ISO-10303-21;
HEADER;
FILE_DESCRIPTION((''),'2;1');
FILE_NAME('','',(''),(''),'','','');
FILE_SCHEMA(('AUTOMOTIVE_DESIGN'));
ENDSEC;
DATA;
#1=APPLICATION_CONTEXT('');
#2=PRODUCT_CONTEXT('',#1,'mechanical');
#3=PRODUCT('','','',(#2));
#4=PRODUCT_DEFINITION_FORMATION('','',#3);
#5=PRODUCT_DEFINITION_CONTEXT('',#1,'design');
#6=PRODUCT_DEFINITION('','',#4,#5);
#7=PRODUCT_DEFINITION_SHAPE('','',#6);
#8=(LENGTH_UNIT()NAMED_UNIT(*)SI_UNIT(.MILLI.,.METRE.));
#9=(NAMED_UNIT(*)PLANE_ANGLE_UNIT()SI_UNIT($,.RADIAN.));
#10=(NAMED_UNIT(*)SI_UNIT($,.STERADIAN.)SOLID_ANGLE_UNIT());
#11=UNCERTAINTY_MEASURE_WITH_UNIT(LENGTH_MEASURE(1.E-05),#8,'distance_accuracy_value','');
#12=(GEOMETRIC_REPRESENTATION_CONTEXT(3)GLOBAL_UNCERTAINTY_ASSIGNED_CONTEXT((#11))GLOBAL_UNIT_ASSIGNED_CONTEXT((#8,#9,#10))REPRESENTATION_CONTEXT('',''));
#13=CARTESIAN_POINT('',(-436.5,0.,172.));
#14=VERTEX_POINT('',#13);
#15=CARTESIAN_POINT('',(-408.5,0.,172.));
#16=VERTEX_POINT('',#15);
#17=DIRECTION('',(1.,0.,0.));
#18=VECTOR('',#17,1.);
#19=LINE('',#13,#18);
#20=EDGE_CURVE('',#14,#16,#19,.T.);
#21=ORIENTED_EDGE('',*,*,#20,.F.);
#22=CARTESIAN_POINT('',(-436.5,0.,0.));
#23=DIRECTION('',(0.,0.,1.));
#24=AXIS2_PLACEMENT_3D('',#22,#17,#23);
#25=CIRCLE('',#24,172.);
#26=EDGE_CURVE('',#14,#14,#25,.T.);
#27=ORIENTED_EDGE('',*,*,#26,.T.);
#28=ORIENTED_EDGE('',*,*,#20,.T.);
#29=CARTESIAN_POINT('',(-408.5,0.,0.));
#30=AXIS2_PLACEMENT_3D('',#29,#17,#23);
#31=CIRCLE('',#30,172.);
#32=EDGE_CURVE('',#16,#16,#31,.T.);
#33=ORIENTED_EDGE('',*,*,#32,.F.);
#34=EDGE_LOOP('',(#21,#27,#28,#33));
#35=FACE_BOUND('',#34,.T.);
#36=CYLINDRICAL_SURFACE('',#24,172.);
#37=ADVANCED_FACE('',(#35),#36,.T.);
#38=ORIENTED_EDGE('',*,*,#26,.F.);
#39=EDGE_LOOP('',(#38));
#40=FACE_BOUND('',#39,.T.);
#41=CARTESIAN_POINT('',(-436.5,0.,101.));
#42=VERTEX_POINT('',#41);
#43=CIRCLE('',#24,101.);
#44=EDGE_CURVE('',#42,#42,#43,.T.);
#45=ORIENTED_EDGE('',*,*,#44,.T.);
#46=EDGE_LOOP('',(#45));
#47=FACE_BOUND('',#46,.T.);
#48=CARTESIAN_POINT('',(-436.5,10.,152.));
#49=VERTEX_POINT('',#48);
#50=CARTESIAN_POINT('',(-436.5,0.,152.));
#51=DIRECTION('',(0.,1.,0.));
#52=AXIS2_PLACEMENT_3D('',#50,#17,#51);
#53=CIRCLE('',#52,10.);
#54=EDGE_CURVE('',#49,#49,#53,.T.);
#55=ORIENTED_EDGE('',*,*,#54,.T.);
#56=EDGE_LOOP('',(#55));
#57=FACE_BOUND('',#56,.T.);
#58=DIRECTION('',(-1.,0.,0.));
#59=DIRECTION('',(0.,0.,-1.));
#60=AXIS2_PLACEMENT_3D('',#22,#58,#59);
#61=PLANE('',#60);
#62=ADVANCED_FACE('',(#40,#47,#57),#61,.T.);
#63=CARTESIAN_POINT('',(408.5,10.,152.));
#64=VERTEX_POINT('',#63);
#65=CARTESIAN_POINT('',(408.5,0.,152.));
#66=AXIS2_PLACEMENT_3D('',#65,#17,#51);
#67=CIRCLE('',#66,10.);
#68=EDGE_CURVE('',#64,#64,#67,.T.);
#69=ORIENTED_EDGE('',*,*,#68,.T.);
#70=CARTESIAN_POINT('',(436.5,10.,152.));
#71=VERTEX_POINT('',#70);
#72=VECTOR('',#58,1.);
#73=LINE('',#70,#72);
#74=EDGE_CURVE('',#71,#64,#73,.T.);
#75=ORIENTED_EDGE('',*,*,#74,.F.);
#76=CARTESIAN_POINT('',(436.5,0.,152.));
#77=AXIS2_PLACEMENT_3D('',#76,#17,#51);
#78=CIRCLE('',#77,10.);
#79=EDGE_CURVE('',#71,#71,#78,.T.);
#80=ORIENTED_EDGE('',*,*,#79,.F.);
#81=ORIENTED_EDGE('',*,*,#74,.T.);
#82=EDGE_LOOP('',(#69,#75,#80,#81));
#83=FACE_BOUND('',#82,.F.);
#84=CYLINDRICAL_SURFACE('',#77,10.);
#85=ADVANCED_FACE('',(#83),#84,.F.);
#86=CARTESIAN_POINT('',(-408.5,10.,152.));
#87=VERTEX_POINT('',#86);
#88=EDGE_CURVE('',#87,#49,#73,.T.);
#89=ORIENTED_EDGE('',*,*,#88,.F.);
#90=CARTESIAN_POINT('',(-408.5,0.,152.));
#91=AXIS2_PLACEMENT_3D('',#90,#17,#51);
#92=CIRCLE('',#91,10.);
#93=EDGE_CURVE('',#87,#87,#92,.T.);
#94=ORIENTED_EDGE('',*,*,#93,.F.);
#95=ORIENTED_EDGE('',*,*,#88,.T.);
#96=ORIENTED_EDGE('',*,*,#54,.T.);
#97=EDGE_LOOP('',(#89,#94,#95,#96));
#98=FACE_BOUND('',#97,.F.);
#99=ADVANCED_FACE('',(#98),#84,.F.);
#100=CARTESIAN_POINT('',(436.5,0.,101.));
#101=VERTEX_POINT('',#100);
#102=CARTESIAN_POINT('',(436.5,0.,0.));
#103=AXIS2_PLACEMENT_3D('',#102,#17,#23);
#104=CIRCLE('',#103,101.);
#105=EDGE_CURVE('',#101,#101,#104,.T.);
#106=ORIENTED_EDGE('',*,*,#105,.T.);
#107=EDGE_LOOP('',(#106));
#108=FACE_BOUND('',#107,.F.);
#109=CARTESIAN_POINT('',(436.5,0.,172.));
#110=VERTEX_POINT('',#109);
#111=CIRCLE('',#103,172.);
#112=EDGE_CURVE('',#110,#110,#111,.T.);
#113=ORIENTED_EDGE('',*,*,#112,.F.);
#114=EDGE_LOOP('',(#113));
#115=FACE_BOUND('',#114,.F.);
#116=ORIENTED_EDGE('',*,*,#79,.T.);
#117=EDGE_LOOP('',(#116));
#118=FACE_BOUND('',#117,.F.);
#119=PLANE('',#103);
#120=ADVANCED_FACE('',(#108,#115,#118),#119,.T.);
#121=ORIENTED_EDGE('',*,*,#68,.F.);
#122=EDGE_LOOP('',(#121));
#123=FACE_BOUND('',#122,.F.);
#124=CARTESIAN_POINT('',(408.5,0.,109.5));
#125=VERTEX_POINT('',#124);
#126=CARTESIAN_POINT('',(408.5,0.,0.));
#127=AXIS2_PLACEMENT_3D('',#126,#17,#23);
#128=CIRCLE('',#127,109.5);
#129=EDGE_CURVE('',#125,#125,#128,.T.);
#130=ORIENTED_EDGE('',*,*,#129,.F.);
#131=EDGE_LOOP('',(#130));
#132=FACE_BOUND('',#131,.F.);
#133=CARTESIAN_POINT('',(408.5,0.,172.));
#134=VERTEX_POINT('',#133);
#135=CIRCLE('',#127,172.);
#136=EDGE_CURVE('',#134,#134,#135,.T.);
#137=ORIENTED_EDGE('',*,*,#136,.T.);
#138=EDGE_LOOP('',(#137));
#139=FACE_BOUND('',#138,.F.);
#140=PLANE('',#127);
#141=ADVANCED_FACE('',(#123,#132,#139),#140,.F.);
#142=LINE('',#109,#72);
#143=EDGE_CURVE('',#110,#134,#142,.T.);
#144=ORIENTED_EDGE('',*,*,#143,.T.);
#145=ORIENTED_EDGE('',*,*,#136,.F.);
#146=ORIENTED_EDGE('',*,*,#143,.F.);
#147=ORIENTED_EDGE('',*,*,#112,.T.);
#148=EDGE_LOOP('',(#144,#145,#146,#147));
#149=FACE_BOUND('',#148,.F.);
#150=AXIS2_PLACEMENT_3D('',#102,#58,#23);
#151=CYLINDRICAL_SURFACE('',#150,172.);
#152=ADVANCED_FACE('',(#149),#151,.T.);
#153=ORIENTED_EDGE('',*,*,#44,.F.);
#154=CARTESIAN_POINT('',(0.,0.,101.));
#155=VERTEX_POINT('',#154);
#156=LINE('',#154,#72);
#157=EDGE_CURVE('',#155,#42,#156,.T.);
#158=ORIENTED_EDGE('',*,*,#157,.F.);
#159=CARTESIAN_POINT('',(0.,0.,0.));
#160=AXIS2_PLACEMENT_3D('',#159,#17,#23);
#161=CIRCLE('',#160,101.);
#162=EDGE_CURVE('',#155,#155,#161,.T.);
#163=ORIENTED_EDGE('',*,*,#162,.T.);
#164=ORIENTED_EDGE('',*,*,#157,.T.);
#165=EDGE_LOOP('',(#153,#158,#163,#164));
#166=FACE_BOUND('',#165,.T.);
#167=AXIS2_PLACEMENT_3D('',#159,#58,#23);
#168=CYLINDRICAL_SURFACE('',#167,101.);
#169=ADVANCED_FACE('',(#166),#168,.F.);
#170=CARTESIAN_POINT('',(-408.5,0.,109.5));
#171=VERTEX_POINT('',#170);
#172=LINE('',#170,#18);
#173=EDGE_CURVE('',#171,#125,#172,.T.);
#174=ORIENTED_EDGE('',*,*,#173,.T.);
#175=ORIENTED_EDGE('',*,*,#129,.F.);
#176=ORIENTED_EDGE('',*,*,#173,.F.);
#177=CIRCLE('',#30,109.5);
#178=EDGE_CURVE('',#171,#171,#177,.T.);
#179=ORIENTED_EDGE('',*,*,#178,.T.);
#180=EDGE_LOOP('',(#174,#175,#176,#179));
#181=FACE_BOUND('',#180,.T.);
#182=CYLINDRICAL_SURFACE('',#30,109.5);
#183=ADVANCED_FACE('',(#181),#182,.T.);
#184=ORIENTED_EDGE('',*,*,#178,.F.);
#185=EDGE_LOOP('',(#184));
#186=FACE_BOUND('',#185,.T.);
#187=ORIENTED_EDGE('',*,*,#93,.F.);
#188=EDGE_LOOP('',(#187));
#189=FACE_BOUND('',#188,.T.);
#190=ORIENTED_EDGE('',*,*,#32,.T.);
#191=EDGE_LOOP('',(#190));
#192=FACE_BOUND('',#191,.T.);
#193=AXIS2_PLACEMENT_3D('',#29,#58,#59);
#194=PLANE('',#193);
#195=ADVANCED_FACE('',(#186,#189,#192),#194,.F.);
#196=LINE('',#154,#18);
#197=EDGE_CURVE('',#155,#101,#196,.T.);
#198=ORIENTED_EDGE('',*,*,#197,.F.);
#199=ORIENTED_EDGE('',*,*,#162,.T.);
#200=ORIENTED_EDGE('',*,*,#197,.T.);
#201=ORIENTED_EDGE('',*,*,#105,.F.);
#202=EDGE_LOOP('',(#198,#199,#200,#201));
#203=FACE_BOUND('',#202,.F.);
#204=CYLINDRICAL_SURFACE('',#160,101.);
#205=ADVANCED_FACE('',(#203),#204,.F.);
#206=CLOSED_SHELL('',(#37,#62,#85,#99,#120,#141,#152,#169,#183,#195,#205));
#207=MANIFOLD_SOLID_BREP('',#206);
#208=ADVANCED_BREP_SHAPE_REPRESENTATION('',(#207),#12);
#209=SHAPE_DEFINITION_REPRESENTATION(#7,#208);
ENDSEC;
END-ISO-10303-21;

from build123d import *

# Parameters (mm, degrees)
F3_R     = 10
F4_DEPTH = 873.001


with BuildPart() as f1:
    # F0 (on Front) → F1 (revolve)
    with BuildSketch(Plane.XZ):
        Polygon((408.5, 109.5), (0, 109.5), (0, 101), (436.5, 101), (436.5, 172), (408.5, 172), align=None)
    revolve(axis=Axis((75.477585, 0, 0), (1, 0, 0)))

    # F2: F1 across plane


with BuildPart() as f1_1:
    add(f1.part)
    add(f1.part.mirror(Plane.YZ))

    # F3 (on face) → F4 (cut, through all)
    with BuildSketch(Plane.YZ.offset(436.5)):
        with Locations((0, 152)):
            Circle(F3_R)
    extrude(amount=-F4_DEPTH, mode=Mode.SUBTRACT)


solid = f1_1.part
